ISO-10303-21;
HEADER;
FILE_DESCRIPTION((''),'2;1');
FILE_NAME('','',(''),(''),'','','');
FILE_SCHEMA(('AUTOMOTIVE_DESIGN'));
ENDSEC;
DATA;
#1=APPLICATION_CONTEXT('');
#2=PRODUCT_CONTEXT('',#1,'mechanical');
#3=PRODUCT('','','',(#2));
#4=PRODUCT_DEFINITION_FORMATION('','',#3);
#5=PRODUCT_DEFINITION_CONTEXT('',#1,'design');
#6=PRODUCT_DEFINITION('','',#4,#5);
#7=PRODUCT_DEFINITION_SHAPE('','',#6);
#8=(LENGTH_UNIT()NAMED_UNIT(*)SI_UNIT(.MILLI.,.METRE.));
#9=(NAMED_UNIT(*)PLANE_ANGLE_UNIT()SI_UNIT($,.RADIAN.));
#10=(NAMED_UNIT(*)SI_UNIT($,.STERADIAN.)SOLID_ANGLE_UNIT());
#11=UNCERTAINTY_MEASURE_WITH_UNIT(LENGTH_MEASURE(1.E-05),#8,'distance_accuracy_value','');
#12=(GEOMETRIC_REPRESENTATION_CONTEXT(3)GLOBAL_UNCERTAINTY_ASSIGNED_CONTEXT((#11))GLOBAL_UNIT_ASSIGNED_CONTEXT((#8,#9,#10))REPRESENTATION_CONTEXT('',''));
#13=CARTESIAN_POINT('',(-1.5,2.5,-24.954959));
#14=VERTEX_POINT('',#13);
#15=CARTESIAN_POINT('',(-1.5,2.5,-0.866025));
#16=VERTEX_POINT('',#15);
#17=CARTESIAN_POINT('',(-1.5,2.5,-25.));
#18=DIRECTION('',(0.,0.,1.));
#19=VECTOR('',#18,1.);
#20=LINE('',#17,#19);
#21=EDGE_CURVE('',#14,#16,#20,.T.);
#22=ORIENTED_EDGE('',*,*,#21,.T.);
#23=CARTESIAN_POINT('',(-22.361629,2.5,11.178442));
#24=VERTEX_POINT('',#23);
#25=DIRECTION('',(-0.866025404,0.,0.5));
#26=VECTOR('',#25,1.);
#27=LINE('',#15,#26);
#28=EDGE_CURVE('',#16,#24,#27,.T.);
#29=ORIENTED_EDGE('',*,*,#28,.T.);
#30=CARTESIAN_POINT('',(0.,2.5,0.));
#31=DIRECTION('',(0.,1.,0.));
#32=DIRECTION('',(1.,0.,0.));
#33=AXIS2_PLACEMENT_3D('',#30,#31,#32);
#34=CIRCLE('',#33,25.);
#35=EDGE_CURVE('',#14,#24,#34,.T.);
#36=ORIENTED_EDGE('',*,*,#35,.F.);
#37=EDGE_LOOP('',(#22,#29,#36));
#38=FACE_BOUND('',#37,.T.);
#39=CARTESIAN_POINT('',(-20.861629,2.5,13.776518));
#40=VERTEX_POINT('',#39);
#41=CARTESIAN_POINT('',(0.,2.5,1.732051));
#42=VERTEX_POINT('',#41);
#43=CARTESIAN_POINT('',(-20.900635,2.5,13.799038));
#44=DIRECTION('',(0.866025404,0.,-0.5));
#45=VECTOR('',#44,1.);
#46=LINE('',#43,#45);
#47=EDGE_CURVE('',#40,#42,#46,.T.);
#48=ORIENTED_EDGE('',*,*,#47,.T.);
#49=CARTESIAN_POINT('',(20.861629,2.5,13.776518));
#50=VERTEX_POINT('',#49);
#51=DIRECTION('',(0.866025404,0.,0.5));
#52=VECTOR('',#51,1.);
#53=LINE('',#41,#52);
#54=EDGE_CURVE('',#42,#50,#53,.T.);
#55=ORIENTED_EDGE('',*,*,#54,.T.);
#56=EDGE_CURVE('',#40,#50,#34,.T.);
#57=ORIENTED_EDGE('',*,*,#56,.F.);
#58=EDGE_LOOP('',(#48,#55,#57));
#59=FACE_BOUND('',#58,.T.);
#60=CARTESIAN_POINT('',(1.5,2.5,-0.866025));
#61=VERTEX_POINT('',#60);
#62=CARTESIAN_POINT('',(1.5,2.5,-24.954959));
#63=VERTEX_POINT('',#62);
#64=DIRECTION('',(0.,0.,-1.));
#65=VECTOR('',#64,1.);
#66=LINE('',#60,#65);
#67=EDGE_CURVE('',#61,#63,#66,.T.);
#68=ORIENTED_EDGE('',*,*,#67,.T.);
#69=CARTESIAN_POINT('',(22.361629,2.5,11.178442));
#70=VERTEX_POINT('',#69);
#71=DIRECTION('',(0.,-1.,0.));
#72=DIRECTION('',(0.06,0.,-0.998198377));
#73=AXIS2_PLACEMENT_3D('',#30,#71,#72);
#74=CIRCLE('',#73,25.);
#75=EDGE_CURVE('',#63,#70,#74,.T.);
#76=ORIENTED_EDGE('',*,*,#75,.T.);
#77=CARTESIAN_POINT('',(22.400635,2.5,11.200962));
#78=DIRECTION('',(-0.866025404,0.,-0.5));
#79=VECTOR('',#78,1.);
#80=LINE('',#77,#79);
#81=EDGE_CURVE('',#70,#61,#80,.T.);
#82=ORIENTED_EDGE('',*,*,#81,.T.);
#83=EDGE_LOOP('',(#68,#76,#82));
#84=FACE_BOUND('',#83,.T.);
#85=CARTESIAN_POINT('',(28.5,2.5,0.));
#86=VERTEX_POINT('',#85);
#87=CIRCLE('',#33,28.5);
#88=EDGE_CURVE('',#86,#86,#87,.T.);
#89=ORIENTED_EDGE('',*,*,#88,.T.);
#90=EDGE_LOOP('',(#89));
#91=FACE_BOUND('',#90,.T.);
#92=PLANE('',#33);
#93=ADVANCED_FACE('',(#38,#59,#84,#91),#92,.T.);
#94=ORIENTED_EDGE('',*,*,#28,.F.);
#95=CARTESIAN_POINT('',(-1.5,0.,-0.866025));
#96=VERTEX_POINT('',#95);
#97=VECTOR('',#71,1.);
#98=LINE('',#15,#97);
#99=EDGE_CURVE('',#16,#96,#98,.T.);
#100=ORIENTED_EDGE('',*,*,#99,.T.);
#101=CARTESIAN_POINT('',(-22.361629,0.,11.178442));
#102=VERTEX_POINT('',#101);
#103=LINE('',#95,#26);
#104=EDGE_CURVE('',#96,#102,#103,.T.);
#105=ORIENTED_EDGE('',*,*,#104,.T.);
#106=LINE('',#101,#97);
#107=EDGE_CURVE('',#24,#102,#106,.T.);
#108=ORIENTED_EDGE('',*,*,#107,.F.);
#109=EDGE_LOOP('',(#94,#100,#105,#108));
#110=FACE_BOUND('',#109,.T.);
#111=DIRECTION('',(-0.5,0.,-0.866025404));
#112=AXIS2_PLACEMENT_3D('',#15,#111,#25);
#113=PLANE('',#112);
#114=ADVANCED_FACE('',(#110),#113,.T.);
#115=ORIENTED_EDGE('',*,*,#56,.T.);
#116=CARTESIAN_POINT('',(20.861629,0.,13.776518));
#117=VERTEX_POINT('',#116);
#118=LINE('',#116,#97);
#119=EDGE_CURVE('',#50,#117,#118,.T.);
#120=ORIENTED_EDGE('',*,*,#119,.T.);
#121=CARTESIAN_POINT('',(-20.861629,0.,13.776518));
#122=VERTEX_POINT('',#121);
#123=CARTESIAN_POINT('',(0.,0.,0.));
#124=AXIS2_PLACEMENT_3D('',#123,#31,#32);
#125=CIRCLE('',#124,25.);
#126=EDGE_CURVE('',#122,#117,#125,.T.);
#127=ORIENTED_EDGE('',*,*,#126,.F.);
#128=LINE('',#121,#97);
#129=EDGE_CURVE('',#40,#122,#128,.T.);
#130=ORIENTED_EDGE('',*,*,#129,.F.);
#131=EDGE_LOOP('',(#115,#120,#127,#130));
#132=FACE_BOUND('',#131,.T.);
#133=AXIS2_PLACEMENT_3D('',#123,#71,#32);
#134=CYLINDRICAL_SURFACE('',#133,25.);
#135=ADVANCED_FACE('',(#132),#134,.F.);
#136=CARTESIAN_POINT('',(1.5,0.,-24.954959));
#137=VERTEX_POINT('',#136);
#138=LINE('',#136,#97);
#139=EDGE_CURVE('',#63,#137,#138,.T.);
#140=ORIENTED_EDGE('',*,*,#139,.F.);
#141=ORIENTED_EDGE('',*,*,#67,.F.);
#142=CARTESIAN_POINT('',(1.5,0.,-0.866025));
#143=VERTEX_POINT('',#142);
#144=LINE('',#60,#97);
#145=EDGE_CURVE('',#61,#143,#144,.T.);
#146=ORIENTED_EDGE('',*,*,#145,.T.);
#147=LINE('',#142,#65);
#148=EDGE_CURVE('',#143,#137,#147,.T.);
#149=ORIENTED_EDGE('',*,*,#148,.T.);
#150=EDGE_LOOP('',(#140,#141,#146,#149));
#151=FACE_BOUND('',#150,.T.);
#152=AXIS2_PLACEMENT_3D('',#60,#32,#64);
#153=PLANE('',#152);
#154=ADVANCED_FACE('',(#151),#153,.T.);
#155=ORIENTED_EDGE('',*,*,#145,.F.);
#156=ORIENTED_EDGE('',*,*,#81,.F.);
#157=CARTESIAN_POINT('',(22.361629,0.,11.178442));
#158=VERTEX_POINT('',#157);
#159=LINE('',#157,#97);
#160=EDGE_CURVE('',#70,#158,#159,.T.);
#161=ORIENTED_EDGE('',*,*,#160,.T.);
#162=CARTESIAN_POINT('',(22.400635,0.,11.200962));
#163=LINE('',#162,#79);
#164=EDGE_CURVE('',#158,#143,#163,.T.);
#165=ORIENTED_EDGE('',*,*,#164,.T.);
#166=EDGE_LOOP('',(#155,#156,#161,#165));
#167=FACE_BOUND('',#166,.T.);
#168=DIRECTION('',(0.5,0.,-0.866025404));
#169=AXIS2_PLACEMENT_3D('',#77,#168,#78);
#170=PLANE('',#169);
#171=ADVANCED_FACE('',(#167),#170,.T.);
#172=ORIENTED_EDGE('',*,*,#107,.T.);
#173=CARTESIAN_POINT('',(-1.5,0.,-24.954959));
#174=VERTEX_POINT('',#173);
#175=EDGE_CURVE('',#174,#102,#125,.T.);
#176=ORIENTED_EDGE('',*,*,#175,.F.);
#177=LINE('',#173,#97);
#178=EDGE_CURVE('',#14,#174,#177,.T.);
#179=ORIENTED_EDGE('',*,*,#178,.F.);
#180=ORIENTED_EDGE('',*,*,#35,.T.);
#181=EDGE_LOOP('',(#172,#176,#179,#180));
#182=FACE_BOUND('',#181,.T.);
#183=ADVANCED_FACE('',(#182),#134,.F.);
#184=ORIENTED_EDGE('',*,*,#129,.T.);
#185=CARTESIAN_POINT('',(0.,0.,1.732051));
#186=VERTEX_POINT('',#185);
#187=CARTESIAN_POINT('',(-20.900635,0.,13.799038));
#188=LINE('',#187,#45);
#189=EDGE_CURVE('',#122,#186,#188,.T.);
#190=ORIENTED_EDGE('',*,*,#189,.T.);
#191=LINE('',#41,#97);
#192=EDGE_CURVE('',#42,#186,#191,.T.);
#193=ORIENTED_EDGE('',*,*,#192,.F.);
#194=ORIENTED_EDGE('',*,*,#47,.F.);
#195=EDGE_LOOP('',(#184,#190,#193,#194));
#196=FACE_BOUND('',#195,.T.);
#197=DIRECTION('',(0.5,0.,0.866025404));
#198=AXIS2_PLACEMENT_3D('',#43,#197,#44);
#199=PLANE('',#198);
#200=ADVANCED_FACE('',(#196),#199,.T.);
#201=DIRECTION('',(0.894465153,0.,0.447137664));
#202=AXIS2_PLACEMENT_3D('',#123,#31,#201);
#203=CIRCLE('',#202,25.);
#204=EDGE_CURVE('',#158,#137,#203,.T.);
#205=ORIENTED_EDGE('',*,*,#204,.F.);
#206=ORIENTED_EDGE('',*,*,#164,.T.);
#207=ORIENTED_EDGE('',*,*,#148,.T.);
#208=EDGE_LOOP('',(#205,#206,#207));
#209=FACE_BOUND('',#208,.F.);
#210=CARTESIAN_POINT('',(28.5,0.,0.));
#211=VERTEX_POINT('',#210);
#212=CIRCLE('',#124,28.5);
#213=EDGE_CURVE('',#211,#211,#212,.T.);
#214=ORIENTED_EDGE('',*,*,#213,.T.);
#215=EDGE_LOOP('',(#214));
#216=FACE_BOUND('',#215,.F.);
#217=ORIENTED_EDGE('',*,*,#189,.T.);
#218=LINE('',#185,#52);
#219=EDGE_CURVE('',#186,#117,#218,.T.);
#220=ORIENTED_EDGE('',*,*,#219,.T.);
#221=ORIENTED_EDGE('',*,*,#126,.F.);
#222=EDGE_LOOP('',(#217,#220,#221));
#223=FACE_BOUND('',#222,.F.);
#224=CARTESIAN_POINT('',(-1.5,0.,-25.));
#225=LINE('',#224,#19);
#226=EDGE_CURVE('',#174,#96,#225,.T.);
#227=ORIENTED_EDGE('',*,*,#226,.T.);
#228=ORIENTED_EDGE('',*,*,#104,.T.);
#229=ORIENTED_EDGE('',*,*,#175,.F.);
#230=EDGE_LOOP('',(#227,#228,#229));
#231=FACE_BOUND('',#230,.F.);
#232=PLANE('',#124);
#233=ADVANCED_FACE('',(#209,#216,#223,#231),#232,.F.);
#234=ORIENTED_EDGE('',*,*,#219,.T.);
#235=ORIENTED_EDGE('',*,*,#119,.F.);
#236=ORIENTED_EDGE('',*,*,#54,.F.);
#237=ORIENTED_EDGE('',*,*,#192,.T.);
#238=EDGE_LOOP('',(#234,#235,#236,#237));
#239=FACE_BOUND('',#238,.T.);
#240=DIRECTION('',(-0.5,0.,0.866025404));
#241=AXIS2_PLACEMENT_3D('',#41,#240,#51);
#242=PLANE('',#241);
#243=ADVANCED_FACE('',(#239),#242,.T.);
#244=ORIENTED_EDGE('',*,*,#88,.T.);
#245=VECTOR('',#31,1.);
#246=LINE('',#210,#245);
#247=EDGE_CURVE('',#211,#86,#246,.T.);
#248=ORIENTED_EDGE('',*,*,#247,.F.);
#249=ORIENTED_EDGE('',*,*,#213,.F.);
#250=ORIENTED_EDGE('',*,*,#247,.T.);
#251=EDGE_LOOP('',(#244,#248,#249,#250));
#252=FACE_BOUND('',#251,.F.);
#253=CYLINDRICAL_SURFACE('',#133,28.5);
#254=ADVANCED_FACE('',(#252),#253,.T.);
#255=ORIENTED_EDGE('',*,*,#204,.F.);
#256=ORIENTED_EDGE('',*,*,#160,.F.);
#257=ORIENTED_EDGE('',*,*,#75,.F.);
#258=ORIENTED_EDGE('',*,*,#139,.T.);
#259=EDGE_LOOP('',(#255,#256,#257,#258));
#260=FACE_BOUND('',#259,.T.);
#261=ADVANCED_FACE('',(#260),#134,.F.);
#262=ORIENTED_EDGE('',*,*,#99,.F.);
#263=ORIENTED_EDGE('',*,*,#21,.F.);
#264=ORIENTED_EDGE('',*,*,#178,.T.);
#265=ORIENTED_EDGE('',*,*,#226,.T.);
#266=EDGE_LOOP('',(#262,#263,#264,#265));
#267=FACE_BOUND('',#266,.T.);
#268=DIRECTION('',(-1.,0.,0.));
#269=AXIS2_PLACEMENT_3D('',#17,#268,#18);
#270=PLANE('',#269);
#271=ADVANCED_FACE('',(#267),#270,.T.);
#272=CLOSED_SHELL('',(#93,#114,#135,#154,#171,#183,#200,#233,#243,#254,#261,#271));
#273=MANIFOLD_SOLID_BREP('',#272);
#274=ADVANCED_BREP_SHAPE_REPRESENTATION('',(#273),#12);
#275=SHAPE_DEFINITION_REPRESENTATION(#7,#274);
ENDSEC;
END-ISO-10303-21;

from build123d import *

# Parameters (mm, degrees)
SKETCH1_R           = 28.5
SKETCH1_R_2         = 25
BOSS_EXTRUDE1_DEPTH = 2.5
BOSS_EXTRUDE2_DEPTH = 2.5


with BuildPart() as part:
    # Sketch1 → Boss-Extrude1 (new body)
    with BuildSketch(Plane(origin=(0, 0, 0), x_dir=(1, 0, 0), z_dir=(0, 1, 0))):
        Circle(SKETCH1_R)
        Circle(SKETCH1_R_2, mode=Mode.SUBTRACT)
    extrude(amount=BOSS_EXTRUDE1_DEPTH)

    # Sketch2 → Boss-Extrude2 (add)
    with BuildSketch(Plane(origin=(0, 2.5, 0), x_dir=(1, 0, 0), z_dir=(0, 1, 0))):
        Polygon((-1.5, 0.866025404), (-22.400635095, -11.200961894), (-20.900635095, -13.799038106), (0, -1.732050808), (20.900635095, -13.799038106), (22.400635095, -11.200961894), (1.5, 0.866025404), (1.5, 25), (-1.5, 25), align=None)
    extrude(amount=-BOSS_EXTRUDE2_DEPTH)


solid = part.part
